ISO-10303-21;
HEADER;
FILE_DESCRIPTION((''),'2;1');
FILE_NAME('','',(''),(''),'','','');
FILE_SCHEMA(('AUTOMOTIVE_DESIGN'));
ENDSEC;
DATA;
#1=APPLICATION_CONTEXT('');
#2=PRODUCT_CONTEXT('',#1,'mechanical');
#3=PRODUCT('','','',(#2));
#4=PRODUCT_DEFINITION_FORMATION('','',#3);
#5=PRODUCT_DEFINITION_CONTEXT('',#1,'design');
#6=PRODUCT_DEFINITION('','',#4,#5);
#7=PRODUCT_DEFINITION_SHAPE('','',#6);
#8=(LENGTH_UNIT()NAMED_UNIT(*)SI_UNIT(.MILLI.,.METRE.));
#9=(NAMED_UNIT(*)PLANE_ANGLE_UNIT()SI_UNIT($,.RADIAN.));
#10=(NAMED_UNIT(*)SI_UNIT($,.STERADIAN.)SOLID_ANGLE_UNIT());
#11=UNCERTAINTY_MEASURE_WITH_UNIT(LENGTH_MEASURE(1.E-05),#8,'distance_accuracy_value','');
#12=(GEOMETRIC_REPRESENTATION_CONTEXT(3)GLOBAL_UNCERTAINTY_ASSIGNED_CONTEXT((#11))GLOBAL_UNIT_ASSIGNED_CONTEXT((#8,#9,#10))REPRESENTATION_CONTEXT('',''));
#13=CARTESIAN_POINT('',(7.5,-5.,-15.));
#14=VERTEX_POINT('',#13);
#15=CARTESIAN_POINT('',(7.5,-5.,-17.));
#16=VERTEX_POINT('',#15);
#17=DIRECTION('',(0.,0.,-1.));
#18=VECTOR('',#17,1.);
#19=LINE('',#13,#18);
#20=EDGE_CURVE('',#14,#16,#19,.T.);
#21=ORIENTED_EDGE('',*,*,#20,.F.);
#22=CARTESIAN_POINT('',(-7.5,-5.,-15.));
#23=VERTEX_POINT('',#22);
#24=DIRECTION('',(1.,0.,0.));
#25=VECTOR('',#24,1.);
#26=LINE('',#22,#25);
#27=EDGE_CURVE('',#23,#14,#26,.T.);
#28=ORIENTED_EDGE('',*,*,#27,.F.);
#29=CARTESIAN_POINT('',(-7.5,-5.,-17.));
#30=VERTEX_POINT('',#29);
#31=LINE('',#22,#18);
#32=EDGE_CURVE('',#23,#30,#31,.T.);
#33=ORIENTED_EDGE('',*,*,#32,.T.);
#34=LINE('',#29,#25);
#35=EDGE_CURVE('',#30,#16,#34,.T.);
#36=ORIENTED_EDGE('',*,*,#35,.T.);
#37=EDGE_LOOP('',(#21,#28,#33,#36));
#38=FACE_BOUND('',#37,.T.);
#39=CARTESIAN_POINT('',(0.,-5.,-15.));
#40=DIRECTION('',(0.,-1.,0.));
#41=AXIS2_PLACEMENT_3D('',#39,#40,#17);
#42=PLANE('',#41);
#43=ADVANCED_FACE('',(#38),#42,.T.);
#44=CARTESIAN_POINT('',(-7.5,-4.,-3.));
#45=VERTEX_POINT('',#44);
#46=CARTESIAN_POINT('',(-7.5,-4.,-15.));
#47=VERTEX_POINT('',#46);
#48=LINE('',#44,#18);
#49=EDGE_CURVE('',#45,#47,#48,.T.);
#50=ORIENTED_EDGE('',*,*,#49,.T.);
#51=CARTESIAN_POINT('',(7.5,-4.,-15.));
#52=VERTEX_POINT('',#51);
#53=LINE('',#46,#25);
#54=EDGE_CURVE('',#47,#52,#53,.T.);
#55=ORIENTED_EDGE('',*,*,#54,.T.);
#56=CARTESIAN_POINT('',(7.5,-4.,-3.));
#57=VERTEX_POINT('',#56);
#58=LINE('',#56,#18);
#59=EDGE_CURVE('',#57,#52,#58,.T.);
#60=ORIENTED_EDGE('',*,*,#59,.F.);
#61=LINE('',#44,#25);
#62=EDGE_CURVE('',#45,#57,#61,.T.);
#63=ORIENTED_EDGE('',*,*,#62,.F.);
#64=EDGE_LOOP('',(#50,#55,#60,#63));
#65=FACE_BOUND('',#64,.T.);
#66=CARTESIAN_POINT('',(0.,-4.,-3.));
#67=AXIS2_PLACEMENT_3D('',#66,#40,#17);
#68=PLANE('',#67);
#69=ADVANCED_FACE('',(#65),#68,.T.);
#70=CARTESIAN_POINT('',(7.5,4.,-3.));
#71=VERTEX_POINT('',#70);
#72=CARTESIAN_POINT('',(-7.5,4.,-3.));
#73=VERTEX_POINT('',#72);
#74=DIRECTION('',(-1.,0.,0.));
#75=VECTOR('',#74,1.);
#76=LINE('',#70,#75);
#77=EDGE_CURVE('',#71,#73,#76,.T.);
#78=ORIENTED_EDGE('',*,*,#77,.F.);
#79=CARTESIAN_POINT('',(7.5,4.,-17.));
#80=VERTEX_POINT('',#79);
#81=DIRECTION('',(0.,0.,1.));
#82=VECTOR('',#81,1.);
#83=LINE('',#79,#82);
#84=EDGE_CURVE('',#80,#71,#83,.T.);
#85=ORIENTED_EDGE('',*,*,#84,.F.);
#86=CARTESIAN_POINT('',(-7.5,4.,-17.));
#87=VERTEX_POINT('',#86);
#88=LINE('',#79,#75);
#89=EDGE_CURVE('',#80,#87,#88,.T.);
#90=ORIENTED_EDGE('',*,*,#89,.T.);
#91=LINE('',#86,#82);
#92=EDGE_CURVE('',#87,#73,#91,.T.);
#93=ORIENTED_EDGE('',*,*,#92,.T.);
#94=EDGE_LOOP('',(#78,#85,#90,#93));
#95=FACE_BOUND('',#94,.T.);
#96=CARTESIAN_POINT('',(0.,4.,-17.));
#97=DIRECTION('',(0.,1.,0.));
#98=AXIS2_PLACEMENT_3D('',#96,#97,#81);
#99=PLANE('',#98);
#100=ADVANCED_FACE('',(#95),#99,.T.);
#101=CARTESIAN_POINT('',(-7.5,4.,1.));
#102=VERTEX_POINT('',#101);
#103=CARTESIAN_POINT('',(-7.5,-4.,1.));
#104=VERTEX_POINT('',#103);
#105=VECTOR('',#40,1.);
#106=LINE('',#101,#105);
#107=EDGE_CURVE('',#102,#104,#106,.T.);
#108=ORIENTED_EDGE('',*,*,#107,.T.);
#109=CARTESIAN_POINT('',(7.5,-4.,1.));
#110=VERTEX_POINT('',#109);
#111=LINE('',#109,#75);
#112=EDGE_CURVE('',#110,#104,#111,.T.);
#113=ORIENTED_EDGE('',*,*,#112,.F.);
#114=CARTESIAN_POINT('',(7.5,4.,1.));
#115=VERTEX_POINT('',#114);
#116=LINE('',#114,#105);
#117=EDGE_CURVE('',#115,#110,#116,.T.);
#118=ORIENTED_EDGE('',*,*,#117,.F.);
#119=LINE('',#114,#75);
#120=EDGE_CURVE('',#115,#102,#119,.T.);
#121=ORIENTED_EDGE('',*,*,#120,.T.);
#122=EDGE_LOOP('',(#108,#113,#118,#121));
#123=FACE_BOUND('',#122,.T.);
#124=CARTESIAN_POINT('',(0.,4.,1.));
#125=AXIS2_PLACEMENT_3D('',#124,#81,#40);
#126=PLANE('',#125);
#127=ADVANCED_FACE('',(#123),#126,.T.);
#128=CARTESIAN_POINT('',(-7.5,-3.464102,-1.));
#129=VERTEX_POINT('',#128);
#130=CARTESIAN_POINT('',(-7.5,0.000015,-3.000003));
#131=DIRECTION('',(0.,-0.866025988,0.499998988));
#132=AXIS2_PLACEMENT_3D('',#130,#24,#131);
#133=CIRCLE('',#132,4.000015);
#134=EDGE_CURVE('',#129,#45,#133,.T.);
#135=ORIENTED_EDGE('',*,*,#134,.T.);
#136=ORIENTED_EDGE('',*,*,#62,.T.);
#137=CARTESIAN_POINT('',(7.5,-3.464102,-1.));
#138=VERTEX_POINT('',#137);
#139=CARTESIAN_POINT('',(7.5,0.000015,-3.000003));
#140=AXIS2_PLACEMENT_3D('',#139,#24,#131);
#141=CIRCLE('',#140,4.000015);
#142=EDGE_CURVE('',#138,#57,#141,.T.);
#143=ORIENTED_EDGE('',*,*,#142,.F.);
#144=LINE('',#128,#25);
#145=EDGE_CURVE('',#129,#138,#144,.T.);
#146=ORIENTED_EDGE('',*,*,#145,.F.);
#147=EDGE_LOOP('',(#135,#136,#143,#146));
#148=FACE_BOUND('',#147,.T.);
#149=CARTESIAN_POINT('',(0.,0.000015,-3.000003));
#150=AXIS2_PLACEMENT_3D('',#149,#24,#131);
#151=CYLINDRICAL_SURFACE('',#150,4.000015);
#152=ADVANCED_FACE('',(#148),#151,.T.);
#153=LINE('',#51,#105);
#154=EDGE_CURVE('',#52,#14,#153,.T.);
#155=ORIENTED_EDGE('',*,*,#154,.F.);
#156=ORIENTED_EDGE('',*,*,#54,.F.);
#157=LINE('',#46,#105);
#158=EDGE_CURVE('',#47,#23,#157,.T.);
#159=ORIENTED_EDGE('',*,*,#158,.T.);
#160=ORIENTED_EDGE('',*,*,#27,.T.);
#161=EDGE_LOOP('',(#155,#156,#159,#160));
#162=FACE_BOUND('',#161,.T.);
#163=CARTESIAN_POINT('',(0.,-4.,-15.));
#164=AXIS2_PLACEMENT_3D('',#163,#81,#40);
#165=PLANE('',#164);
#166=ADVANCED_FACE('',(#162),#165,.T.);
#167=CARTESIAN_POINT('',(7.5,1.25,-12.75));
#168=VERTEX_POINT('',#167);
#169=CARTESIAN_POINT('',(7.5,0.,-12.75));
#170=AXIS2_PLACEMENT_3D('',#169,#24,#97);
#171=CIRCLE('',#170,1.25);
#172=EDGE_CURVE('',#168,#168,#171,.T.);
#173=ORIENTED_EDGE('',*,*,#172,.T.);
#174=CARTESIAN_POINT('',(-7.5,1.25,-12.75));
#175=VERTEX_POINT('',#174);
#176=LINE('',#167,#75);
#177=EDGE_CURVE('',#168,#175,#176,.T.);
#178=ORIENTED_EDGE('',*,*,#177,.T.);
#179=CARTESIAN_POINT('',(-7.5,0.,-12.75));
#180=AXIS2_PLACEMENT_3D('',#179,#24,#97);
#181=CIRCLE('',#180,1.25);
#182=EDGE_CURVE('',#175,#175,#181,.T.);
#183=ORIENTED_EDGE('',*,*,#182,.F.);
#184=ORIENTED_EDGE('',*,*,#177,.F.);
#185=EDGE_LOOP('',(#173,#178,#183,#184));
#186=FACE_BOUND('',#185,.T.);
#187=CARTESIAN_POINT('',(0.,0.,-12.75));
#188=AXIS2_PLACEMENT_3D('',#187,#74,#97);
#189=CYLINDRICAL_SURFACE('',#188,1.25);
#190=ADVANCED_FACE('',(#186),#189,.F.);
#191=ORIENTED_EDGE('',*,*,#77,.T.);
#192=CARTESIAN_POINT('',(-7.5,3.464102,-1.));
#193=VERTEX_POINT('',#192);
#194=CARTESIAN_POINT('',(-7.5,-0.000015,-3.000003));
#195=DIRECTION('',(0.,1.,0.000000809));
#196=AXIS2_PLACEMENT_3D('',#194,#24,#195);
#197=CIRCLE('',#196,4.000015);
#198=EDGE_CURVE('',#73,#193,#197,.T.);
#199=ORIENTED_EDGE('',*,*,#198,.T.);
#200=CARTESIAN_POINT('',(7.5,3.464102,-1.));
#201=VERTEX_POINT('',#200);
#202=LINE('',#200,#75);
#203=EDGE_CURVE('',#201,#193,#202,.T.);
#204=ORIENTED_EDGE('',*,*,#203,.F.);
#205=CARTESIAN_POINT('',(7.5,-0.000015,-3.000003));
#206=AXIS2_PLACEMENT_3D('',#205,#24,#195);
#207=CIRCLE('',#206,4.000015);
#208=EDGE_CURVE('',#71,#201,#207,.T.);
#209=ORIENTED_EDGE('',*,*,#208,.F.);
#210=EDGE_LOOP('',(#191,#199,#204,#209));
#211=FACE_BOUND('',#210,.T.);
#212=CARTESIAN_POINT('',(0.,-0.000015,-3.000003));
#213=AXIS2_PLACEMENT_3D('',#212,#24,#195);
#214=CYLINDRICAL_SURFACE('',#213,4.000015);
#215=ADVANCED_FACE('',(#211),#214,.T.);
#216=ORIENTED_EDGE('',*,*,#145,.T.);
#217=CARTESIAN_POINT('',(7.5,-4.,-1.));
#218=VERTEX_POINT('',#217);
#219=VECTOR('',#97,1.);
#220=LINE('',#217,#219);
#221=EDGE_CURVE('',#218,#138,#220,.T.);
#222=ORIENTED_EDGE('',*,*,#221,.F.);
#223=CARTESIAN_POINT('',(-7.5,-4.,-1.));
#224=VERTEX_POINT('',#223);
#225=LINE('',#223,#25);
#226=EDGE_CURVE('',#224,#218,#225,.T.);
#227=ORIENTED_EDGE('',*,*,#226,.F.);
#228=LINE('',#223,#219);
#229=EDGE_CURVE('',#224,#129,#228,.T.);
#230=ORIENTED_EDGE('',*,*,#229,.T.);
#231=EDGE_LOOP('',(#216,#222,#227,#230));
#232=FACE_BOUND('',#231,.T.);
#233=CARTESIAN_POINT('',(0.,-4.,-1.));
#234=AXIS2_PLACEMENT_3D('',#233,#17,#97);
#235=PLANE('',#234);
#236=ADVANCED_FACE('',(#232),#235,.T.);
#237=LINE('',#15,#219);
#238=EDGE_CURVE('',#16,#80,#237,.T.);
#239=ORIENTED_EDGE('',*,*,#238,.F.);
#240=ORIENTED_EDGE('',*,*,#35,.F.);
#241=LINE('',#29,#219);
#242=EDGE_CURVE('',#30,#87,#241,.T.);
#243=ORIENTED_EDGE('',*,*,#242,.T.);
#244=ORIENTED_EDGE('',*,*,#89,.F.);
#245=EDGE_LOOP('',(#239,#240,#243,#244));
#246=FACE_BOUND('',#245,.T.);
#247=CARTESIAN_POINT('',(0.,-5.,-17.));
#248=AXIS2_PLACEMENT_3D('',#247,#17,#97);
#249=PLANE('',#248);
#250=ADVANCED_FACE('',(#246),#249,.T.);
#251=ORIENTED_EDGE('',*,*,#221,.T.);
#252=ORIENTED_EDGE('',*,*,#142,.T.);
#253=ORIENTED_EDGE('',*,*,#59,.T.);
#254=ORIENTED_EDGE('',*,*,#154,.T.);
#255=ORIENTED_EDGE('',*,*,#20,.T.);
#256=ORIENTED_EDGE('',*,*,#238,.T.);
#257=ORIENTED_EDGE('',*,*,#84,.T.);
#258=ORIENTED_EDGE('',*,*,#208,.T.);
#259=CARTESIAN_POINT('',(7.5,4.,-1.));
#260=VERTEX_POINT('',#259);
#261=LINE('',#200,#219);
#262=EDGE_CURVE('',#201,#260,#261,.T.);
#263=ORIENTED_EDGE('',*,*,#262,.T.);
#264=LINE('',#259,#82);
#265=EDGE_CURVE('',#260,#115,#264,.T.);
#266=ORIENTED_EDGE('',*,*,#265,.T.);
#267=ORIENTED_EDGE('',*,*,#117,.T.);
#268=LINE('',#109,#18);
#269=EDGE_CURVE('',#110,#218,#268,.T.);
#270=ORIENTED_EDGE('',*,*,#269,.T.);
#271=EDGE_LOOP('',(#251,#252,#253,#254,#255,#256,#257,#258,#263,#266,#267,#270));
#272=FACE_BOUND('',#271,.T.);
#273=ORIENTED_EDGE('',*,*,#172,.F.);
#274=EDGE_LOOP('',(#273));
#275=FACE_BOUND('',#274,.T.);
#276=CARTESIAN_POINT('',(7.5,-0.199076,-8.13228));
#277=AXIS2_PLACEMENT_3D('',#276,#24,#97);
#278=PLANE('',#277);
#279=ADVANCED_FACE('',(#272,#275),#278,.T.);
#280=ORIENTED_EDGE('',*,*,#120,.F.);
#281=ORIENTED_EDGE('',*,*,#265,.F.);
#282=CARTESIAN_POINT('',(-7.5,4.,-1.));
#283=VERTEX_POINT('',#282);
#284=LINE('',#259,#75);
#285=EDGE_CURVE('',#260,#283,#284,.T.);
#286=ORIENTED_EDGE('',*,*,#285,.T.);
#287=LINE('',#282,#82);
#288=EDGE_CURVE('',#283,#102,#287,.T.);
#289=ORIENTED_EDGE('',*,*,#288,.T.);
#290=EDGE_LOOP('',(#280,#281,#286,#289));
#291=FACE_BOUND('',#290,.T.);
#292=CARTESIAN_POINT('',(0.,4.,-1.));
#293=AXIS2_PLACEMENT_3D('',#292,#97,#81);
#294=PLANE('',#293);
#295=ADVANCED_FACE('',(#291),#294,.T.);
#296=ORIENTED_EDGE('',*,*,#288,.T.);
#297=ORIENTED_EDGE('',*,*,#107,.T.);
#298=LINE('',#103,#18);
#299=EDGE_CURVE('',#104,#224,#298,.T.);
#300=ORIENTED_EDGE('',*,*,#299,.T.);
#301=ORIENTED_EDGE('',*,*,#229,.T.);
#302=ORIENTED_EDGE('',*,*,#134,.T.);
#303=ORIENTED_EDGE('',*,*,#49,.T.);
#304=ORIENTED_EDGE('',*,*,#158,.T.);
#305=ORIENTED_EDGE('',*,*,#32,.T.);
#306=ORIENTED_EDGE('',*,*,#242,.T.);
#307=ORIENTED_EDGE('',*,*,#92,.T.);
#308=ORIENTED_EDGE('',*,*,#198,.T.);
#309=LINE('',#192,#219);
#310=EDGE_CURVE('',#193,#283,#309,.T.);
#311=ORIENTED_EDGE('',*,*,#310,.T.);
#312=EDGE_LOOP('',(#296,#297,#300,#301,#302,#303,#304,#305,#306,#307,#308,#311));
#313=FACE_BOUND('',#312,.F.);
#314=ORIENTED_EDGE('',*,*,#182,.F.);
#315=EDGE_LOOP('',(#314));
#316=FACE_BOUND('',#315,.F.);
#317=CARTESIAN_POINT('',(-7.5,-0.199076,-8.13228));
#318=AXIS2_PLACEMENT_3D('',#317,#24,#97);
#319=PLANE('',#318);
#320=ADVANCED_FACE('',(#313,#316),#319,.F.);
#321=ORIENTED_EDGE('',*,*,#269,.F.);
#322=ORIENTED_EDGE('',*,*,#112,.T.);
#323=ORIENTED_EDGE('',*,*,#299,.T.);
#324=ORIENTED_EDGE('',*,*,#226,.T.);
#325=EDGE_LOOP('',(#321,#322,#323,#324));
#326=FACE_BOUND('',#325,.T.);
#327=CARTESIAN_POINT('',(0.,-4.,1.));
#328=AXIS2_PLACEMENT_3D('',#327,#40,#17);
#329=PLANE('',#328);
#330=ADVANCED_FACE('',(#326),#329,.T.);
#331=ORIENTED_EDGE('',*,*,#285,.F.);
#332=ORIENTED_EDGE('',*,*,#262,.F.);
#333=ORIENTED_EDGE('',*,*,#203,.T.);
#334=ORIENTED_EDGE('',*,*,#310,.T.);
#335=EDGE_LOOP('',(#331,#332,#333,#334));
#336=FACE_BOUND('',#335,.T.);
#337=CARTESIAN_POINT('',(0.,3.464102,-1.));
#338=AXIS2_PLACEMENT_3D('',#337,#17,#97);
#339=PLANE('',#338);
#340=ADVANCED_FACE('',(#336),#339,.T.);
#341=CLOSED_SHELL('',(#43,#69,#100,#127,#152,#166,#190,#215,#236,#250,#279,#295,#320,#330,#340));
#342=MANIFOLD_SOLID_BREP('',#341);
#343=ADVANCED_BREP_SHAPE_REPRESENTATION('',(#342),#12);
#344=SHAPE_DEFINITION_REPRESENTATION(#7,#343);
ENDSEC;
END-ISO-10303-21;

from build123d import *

# Parameters (mm, degrees)
F0_R     = 1.25
F1_DEPTH = 7.5


with BuildPart() as f1:
    # F0 (on Right) → F1 (new body, symmetric)
    with BuildSketch(Plane.YZ):
        with BuildLine():
            Line((-4, 1), (-4, -1))
            Line((-4, -1), (-3.464102, -1))
            ThreePointArc((-3.464102, -1), (-3.863703, -1.964724), (-4, -3))
            Line((-4, -3), (-4, -15))
            Line((-4, -15), (-5, -15))
            Line((-5, -15), (-5, -17))
            Line((-5, -17), (4, -17))
            Line((4, -17), (4, -15))
            Line((4, -15), (4, -3))
            ThreePointArc((4, -3), (3.863703, -1.964724), (3.464102, -1))
            Line((3.464102, -1), (4, -1))
            Line((4, -1), (4, 1))
            Line((4, 1), (-4, 1))
        make_face()
        with Locations((0, -12.75)):
            Circle(F0_R, mode=Mode.SUBTRACT)
    extrude(amount=F1_DEPTH, both=True)


solid = f1.part
